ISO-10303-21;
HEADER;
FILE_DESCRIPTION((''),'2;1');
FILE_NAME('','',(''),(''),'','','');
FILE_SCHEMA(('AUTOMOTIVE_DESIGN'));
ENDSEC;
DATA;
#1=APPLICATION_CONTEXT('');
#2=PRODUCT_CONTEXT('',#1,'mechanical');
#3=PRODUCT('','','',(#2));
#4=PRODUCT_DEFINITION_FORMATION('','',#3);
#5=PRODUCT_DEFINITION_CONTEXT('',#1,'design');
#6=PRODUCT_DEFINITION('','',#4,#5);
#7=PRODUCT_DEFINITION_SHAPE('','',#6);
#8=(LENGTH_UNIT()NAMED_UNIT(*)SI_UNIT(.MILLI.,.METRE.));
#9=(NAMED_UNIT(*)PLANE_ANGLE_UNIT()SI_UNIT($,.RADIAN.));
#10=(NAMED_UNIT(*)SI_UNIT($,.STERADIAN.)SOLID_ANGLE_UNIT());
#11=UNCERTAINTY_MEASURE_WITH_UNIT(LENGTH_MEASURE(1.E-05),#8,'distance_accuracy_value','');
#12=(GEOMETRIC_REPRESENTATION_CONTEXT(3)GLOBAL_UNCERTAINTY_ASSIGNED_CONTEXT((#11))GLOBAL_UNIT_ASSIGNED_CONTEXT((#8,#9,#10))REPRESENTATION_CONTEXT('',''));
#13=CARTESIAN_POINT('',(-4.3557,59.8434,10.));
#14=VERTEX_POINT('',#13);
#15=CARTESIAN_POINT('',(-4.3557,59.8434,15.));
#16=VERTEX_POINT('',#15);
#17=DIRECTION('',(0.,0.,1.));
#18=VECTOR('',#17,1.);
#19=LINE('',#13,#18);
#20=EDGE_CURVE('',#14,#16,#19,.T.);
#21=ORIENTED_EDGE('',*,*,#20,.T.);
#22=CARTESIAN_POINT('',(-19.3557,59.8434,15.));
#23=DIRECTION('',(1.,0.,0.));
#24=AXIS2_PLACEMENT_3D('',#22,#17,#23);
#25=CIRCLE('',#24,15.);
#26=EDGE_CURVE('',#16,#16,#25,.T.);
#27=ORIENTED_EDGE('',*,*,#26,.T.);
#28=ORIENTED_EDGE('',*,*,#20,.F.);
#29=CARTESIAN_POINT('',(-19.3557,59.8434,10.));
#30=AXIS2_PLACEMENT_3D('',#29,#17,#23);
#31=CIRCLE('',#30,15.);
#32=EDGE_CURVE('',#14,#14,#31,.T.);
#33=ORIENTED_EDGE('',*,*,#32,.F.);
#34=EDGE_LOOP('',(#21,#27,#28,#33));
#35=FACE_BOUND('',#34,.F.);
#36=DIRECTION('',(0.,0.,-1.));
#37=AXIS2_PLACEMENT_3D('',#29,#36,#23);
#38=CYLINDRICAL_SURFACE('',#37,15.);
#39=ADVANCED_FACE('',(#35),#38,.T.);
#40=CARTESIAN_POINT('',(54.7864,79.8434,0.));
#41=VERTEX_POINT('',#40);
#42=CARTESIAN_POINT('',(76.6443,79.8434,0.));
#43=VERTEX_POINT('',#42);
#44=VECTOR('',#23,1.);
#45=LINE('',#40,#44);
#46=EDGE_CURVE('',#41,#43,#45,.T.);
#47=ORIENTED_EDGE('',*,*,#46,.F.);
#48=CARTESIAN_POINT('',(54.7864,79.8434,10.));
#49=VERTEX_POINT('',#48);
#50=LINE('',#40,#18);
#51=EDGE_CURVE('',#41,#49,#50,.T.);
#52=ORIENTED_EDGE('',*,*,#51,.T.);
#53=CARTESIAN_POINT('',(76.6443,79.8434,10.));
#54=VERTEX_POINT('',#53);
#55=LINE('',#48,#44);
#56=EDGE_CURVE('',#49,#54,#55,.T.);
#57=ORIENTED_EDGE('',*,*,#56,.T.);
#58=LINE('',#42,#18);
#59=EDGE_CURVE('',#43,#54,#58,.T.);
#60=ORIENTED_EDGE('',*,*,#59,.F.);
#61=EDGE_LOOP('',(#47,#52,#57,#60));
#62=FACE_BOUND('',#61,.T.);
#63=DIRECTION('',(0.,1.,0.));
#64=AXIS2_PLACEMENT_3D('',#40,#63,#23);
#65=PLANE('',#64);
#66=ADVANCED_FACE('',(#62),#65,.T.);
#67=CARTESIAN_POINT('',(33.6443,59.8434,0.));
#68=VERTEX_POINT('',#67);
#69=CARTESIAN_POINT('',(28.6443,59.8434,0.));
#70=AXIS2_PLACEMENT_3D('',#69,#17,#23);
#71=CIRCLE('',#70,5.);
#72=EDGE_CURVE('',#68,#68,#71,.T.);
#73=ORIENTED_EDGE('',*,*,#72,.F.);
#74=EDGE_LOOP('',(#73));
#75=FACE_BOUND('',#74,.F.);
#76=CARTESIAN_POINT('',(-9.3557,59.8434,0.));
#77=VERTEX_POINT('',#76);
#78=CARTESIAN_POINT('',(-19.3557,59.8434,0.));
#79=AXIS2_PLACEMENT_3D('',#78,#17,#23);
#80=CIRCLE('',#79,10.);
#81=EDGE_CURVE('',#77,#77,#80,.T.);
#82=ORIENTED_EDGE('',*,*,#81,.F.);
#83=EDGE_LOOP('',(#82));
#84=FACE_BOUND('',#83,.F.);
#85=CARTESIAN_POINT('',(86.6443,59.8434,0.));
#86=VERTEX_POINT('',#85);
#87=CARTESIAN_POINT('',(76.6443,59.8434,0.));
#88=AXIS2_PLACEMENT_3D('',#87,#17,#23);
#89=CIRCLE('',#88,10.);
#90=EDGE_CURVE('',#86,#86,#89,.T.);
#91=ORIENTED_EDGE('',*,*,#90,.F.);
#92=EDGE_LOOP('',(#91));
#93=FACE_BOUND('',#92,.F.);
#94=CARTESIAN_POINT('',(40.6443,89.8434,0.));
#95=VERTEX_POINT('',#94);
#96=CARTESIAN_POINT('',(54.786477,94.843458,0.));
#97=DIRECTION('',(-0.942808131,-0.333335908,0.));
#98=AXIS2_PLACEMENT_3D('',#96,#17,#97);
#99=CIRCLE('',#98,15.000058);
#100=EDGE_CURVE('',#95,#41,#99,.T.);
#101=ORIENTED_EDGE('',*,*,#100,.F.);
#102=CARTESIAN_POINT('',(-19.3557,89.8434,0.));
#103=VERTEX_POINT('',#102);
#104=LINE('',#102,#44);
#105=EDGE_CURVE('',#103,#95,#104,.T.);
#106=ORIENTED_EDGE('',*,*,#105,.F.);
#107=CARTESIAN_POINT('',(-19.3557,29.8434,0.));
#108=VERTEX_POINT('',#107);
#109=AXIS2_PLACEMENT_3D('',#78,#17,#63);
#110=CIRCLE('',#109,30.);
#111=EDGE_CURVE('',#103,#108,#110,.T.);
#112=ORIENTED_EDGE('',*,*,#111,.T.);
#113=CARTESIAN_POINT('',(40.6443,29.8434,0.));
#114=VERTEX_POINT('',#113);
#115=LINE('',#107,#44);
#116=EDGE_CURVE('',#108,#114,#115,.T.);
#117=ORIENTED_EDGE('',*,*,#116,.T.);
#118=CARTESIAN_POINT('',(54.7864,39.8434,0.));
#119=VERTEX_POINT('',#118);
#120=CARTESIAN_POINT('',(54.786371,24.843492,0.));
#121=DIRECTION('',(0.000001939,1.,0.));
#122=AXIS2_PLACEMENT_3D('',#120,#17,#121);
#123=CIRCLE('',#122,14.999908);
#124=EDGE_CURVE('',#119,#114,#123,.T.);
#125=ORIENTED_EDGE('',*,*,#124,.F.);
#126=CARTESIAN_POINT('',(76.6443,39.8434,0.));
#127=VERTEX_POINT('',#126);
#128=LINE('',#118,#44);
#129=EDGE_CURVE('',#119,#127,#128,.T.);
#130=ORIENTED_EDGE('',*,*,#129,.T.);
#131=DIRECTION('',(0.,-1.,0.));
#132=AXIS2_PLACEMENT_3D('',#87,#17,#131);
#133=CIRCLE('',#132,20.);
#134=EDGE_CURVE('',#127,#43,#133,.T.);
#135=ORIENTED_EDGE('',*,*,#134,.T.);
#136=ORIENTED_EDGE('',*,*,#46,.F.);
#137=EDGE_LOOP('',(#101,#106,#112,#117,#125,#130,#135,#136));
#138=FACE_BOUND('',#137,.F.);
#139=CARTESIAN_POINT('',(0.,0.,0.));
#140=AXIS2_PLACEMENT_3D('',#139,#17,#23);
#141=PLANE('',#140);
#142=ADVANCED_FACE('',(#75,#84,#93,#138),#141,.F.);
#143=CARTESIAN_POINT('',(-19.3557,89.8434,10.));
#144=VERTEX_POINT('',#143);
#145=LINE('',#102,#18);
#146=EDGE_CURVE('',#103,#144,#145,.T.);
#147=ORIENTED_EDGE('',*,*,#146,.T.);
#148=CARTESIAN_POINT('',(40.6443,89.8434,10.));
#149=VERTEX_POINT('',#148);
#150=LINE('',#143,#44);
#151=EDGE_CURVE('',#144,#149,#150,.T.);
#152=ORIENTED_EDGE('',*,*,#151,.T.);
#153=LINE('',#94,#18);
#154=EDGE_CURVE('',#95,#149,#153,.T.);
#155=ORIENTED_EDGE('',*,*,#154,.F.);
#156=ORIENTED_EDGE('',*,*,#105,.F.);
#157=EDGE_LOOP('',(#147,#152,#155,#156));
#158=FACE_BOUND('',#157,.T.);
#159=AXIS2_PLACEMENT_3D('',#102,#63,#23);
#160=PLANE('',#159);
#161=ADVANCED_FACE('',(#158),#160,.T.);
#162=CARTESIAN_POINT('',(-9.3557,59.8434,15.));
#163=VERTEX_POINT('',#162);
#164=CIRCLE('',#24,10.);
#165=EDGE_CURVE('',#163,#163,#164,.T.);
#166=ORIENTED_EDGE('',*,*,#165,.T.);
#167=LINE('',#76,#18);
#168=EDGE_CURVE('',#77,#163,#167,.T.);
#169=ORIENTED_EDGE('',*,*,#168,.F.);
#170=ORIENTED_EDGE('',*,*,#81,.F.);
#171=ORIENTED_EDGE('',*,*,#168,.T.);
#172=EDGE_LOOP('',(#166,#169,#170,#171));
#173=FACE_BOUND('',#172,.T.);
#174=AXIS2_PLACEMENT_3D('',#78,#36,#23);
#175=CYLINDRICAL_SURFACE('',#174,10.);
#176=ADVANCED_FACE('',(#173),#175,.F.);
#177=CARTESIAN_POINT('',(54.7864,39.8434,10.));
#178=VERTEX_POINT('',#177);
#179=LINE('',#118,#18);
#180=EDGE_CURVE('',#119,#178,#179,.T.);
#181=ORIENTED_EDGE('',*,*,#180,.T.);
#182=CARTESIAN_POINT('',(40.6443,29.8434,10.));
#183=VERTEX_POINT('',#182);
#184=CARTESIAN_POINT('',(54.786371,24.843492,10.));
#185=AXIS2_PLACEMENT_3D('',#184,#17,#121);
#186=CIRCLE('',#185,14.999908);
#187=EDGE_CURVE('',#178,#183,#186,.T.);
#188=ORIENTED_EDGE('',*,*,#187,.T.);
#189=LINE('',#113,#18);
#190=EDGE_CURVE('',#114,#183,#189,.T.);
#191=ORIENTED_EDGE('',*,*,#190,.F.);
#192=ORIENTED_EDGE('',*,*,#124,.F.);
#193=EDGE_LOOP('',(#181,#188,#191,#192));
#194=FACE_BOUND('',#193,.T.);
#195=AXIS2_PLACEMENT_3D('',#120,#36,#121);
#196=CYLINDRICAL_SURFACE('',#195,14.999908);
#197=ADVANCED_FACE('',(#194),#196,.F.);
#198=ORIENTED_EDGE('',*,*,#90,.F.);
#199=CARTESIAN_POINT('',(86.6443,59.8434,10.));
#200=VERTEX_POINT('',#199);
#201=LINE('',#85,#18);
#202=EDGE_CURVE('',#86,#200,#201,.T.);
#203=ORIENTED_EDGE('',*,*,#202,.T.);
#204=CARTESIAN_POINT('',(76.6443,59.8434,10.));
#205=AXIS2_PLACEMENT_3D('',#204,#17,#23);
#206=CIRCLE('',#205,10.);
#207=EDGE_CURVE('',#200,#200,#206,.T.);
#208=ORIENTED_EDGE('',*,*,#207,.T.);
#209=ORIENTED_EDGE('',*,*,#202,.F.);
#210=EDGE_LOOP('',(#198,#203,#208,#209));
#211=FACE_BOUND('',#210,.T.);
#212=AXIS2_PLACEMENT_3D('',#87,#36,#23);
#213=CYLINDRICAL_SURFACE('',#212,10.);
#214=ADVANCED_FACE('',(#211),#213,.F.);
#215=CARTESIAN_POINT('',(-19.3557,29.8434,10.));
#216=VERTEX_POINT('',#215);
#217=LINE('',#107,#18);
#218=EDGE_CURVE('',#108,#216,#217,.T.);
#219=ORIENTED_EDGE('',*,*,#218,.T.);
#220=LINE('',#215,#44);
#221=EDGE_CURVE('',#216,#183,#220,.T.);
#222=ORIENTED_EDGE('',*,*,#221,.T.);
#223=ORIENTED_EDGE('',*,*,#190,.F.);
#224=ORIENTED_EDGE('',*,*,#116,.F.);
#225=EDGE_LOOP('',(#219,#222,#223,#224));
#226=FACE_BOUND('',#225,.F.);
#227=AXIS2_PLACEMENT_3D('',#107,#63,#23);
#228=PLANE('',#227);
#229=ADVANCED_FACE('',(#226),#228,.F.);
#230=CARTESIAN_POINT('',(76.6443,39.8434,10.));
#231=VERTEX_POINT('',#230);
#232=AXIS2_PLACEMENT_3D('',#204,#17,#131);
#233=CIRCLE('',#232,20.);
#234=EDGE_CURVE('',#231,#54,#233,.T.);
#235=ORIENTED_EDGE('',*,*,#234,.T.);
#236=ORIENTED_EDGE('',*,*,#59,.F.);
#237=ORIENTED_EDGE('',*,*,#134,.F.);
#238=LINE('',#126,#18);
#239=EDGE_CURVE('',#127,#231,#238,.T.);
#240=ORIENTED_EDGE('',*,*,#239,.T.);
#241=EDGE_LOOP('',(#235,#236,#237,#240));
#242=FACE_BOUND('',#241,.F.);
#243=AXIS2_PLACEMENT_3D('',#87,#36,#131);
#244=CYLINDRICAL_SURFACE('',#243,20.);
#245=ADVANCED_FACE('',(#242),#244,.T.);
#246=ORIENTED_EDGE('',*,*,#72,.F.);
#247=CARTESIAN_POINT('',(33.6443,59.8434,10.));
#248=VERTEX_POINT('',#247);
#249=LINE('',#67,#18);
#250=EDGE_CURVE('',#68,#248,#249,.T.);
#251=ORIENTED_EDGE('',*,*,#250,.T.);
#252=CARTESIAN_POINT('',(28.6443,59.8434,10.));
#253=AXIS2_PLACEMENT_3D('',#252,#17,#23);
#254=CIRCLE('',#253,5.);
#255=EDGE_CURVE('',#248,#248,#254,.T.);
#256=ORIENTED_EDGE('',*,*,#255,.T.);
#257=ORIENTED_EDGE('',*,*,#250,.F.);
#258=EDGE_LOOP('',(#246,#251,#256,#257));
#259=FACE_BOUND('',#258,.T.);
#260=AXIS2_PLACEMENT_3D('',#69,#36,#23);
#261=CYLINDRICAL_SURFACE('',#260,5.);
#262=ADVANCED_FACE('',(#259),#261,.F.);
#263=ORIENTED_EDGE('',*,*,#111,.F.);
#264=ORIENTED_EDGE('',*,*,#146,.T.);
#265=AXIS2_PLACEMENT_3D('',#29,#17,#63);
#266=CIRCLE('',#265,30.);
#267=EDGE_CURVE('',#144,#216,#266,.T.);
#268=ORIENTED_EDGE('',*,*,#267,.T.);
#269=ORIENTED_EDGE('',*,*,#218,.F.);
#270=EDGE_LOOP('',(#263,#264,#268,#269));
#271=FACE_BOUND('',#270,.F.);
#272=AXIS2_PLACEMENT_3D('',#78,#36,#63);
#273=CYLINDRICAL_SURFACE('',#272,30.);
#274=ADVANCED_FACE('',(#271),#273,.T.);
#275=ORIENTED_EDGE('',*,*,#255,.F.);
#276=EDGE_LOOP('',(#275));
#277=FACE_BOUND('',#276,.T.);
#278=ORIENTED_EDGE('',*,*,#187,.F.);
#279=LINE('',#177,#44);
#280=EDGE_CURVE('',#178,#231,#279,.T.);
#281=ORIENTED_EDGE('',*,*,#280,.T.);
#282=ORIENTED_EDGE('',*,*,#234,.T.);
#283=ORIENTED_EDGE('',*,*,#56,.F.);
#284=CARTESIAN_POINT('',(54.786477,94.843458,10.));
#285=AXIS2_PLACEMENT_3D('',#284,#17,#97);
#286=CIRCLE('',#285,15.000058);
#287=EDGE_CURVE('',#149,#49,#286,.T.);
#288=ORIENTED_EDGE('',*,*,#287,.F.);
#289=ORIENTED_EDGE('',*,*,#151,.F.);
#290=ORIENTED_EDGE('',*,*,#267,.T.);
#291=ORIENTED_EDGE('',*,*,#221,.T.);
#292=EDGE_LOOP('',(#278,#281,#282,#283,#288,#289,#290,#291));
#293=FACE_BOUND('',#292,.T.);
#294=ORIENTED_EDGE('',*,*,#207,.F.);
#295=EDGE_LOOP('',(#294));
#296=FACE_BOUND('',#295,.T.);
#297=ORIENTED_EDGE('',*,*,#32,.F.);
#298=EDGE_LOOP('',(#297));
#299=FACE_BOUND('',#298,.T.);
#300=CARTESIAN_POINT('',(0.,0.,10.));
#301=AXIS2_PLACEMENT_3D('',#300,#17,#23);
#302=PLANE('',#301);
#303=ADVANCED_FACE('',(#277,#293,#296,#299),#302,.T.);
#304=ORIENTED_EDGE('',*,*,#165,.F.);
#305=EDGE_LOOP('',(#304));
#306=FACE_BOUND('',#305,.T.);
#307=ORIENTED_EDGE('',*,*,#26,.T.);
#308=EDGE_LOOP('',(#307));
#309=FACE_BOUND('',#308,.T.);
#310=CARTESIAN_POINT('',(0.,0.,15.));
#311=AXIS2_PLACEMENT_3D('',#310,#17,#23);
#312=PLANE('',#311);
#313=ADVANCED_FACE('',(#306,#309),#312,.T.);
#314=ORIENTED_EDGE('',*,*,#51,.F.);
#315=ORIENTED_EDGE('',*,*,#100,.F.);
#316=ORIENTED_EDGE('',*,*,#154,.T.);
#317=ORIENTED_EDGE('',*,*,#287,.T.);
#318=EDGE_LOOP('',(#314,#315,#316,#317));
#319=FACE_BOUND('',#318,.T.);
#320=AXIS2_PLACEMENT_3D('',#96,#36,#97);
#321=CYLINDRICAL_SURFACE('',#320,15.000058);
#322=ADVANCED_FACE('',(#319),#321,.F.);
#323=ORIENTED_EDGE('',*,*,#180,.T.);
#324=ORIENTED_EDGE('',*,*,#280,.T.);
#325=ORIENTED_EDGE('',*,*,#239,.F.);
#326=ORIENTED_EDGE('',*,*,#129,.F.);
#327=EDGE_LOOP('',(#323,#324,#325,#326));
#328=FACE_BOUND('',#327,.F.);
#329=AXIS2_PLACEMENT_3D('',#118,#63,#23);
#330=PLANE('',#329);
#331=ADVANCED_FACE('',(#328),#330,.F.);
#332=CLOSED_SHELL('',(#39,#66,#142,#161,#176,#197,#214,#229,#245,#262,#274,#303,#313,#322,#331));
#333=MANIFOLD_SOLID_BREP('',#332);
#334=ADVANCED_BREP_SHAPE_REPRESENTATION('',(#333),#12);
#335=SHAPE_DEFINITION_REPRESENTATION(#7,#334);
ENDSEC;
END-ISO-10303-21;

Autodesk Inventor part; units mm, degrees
ref_plane "YZ Plane" through (0, 0, 0) normal (1, 0, 0) x (0, 1, 0)
ref_plane "XZ Plane" through (0, 0, 0) normal (0, 1, 0) x (-1, 0, 0)
ref_plane "XY Plane" through (0, 0, 0) normal (0, 0, 1) x (1, 0, 0)
sketch "Sketch1" plane through (0, 0, 0) normal (0, 0, 1) x (1, 0, 0)
  line L0 (-19.3557, 89.8434) -> (40.6443, 89.8434)
  line L1 (-19.3557, 29.8434) -> (40.6443, 29.8434)
  line L2 (54.7864, 79.8434) -> (76.6443, 79.8434)
  line L3 (54.7864, 39.8434) -> (76.6443, 39.8434)
  arc A0 (-19.3557, 89.8434) -> (-19.3557, 29.8434) centre (-19.3557, 59.8434) ccw
  arc A1 (76.6443, 39.8434) -> (76.6443, 79.8434) centre (76.6443, 59.8434) ccw
  arc A2 (54.7864, 39.8434) -> (40.6443, 29.8434) centre (54.7864, 24.8434) ccw
  arc A3 (40.6443, 89.8434) -> (54.7864, 79.8434) centre (54.7864, 94.8434) ccw
  circle A4 centre (-19.3557, 59.8434) radius 10
  circle A5 centre (28.6443, 59.8434) radius 5
  circle A6 centre (76.6443, 59.8434) radius 10
  dimension "d11" = 15
  dimension "d12" = 15
  dimension "d13" = 30
  dimension "d14" = 20
  dimension "d15" = 96
  dimension "d16" = 60
  dimension "d18" = 20
  dimension "d19" = 10
  dimension "d20" = 20
  dimension "d21" = 48
extrude "Extrusion1" add sketch "Sketch1" along normal blind 10
sketch "Sketch2" plane through (0, 0, 10) normal (0, 0, 1) x (1, 0, 0)
  circle A0 centre (-19.3557, 59.8434) radius 10 projected
  circle A1 centre (-19.3557, 59.8434) radius 15
  circle A2 centre (-19.3557, 59.8434) radius 10
  point P0 (0, 0)
  dimension "d24" = 30
  dimension "d25" = 20
extrude "Extrusion2" add sketch "Sketch2" along normal blind 5
equation "\"d14\" = 0.666667 * d13"
equation "\"d15\" = 2 * d21"
equation "\"d16\" = 1.25 * d21"
equation "\"d18\" = 0.666667 * d13"
equation "\"d19\" = 0.333333 * d13"
equation "\"d20\" = 0.666667 * d13"
equation "\"d24\" = d13"
equation "\"d25\" = 0.666667 * d13"
equation "\"d26\" = 0.5 * d22"
equation "\"d22\" = 10"
properties part number "HW 5 Part 1"
